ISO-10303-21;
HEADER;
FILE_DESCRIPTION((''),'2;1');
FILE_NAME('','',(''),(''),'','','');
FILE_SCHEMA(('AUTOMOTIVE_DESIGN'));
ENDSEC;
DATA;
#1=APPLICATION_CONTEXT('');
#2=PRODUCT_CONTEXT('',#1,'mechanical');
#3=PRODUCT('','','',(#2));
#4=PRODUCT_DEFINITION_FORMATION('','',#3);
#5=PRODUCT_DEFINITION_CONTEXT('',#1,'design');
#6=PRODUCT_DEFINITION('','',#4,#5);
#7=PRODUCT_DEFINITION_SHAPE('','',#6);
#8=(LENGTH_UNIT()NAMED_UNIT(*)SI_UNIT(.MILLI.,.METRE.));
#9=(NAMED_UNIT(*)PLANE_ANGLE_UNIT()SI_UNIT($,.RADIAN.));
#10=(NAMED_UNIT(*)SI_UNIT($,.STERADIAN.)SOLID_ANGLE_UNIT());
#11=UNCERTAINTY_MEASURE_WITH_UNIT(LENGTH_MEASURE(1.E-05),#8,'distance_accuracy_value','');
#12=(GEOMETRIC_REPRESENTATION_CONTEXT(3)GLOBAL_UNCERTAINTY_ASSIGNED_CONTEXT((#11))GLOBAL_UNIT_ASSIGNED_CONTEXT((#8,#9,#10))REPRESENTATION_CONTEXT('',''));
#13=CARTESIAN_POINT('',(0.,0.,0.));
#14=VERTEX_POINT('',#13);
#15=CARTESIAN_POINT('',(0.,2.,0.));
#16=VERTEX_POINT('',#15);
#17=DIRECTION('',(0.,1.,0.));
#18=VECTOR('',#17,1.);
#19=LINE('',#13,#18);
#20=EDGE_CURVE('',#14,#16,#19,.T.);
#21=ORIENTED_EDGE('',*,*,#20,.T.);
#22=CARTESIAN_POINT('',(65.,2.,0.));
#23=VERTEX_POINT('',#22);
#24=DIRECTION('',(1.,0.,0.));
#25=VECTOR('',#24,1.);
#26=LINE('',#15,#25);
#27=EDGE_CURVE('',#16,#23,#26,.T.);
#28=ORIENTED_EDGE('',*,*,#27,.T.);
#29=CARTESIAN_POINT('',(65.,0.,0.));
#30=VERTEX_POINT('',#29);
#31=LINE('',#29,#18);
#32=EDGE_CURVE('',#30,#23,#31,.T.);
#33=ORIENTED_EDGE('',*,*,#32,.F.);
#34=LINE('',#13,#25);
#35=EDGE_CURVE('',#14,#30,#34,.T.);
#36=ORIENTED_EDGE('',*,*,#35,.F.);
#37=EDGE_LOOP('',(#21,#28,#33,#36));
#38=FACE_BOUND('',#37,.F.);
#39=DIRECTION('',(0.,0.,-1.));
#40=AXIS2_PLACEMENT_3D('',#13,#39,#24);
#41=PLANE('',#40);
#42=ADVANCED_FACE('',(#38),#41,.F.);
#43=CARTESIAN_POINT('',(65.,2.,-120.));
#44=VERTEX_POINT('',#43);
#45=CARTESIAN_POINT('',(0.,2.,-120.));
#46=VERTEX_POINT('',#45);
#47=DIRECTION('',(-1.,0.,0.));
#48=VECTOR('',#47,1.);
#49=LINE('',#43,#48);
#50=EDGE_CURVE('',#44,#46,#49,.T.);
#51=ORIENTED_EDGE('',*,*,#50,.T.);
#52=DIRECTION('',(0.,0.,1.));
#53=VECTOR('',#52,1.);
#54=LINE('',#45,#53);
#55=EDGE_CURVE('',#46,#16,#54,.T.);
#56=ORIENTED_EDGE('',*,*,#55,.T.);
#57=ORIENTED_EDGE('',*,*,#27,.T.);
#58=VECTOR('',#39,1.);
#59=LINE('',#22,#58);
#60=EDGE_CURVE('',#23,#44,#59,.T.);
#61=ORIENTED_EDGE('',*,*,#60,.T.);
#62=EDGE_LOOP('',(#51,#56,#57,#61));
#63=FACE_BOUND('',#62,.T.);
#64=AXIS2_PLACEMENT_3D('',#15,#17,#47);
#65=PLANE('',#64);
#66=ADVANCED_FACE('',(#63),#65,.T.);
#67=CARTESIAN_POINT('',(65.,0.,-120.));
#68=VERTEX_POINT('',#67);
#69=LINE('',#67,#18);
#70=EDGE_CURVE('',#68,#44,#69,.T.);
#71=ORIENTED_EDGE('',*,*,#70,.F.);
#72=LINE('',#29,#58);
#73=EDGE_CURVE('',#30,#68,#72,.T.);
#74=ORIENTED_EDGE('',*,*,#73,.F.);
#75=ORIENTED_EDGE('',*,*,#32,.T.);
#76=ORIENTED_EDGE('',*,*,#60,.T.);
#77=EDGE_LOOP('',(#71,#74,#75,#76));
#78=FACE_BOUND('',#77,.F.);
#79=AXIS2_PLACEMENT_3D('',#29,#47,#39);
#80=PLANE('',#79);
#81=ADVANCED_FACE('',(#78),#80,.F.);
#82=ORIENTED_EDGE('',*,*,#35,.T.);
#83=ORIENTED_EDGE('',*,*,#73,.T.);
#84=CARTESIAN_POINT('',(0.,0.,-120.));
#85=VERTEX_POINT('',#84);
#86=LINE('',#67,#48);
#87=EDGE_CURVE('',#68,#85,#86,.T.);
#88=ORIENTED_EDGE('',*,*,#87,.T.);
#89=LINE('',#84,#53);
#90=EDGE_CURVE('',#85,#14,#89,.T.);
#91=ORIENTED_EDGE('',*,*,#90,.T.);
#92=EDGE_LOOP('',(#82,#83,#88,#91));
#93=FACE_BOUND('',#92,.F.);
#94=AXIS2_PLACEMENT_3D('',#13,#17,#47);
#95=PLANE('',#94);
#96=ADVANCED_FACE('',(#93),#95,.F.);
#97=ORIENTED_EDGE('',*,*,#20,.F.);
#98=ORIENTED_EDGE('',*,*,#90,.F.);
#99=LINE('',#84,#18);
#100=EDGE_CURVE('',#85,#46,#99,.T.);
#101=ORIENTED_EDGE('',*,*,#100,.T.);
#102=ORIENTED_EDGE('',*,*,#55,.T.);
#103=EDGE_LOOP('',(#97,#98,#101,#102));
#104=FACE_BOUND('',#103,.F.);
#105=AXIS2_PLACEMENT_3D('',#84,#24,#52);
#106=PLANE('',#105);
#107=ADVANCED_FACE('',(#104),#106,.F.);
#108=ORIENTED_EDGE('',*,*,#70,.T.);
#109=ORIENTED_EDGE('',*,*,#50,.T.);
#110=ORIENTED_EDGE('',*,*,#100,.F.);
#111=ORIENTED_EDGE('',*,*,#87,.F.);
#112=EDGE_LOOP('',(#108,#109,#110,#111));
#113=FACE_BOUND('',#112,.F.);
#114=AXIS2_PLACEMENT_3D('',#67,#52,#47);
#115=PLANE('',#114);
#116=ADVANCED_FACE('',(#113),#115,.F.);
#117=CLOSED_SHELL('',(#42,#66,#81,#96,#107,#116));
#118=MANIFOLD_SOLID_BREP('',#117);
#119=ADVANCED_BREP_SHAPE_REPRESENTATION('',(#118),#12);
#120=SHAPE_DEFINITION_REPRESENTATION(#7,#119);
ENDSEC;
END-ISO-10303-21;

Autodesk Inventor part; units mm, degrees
ref_plane "YZ Plane" through (0, 0, 0) normal (1, 0, 0) x (0, 1, 0)
ref_plane "XZ Plane" through (0, 0, 0) normal (0, 1, 0) x (-1, 0, 0)
ref_plane "XY Plane" through (0, 0, 0) normal (0, 0, 1) x (1, 0, 0)
sketch "Sketch1" plane through (0, 0, 0) normal (0, 1, 0) x (-1, 0, 0)
  line L0 (0, 0) -> (-65, 0)
  line L1 (-65, 0) -> (-65, -120)
  line L2 (-65, -120) -> (0, -120)
  line L3 (0, -120) -> (0, 0)
  dimension "d0" = 65
  dimension "d1" = 120
extrude "Extrusion1" add sketch "Sketch1" along normal blind 2
properties part number "Hip"
